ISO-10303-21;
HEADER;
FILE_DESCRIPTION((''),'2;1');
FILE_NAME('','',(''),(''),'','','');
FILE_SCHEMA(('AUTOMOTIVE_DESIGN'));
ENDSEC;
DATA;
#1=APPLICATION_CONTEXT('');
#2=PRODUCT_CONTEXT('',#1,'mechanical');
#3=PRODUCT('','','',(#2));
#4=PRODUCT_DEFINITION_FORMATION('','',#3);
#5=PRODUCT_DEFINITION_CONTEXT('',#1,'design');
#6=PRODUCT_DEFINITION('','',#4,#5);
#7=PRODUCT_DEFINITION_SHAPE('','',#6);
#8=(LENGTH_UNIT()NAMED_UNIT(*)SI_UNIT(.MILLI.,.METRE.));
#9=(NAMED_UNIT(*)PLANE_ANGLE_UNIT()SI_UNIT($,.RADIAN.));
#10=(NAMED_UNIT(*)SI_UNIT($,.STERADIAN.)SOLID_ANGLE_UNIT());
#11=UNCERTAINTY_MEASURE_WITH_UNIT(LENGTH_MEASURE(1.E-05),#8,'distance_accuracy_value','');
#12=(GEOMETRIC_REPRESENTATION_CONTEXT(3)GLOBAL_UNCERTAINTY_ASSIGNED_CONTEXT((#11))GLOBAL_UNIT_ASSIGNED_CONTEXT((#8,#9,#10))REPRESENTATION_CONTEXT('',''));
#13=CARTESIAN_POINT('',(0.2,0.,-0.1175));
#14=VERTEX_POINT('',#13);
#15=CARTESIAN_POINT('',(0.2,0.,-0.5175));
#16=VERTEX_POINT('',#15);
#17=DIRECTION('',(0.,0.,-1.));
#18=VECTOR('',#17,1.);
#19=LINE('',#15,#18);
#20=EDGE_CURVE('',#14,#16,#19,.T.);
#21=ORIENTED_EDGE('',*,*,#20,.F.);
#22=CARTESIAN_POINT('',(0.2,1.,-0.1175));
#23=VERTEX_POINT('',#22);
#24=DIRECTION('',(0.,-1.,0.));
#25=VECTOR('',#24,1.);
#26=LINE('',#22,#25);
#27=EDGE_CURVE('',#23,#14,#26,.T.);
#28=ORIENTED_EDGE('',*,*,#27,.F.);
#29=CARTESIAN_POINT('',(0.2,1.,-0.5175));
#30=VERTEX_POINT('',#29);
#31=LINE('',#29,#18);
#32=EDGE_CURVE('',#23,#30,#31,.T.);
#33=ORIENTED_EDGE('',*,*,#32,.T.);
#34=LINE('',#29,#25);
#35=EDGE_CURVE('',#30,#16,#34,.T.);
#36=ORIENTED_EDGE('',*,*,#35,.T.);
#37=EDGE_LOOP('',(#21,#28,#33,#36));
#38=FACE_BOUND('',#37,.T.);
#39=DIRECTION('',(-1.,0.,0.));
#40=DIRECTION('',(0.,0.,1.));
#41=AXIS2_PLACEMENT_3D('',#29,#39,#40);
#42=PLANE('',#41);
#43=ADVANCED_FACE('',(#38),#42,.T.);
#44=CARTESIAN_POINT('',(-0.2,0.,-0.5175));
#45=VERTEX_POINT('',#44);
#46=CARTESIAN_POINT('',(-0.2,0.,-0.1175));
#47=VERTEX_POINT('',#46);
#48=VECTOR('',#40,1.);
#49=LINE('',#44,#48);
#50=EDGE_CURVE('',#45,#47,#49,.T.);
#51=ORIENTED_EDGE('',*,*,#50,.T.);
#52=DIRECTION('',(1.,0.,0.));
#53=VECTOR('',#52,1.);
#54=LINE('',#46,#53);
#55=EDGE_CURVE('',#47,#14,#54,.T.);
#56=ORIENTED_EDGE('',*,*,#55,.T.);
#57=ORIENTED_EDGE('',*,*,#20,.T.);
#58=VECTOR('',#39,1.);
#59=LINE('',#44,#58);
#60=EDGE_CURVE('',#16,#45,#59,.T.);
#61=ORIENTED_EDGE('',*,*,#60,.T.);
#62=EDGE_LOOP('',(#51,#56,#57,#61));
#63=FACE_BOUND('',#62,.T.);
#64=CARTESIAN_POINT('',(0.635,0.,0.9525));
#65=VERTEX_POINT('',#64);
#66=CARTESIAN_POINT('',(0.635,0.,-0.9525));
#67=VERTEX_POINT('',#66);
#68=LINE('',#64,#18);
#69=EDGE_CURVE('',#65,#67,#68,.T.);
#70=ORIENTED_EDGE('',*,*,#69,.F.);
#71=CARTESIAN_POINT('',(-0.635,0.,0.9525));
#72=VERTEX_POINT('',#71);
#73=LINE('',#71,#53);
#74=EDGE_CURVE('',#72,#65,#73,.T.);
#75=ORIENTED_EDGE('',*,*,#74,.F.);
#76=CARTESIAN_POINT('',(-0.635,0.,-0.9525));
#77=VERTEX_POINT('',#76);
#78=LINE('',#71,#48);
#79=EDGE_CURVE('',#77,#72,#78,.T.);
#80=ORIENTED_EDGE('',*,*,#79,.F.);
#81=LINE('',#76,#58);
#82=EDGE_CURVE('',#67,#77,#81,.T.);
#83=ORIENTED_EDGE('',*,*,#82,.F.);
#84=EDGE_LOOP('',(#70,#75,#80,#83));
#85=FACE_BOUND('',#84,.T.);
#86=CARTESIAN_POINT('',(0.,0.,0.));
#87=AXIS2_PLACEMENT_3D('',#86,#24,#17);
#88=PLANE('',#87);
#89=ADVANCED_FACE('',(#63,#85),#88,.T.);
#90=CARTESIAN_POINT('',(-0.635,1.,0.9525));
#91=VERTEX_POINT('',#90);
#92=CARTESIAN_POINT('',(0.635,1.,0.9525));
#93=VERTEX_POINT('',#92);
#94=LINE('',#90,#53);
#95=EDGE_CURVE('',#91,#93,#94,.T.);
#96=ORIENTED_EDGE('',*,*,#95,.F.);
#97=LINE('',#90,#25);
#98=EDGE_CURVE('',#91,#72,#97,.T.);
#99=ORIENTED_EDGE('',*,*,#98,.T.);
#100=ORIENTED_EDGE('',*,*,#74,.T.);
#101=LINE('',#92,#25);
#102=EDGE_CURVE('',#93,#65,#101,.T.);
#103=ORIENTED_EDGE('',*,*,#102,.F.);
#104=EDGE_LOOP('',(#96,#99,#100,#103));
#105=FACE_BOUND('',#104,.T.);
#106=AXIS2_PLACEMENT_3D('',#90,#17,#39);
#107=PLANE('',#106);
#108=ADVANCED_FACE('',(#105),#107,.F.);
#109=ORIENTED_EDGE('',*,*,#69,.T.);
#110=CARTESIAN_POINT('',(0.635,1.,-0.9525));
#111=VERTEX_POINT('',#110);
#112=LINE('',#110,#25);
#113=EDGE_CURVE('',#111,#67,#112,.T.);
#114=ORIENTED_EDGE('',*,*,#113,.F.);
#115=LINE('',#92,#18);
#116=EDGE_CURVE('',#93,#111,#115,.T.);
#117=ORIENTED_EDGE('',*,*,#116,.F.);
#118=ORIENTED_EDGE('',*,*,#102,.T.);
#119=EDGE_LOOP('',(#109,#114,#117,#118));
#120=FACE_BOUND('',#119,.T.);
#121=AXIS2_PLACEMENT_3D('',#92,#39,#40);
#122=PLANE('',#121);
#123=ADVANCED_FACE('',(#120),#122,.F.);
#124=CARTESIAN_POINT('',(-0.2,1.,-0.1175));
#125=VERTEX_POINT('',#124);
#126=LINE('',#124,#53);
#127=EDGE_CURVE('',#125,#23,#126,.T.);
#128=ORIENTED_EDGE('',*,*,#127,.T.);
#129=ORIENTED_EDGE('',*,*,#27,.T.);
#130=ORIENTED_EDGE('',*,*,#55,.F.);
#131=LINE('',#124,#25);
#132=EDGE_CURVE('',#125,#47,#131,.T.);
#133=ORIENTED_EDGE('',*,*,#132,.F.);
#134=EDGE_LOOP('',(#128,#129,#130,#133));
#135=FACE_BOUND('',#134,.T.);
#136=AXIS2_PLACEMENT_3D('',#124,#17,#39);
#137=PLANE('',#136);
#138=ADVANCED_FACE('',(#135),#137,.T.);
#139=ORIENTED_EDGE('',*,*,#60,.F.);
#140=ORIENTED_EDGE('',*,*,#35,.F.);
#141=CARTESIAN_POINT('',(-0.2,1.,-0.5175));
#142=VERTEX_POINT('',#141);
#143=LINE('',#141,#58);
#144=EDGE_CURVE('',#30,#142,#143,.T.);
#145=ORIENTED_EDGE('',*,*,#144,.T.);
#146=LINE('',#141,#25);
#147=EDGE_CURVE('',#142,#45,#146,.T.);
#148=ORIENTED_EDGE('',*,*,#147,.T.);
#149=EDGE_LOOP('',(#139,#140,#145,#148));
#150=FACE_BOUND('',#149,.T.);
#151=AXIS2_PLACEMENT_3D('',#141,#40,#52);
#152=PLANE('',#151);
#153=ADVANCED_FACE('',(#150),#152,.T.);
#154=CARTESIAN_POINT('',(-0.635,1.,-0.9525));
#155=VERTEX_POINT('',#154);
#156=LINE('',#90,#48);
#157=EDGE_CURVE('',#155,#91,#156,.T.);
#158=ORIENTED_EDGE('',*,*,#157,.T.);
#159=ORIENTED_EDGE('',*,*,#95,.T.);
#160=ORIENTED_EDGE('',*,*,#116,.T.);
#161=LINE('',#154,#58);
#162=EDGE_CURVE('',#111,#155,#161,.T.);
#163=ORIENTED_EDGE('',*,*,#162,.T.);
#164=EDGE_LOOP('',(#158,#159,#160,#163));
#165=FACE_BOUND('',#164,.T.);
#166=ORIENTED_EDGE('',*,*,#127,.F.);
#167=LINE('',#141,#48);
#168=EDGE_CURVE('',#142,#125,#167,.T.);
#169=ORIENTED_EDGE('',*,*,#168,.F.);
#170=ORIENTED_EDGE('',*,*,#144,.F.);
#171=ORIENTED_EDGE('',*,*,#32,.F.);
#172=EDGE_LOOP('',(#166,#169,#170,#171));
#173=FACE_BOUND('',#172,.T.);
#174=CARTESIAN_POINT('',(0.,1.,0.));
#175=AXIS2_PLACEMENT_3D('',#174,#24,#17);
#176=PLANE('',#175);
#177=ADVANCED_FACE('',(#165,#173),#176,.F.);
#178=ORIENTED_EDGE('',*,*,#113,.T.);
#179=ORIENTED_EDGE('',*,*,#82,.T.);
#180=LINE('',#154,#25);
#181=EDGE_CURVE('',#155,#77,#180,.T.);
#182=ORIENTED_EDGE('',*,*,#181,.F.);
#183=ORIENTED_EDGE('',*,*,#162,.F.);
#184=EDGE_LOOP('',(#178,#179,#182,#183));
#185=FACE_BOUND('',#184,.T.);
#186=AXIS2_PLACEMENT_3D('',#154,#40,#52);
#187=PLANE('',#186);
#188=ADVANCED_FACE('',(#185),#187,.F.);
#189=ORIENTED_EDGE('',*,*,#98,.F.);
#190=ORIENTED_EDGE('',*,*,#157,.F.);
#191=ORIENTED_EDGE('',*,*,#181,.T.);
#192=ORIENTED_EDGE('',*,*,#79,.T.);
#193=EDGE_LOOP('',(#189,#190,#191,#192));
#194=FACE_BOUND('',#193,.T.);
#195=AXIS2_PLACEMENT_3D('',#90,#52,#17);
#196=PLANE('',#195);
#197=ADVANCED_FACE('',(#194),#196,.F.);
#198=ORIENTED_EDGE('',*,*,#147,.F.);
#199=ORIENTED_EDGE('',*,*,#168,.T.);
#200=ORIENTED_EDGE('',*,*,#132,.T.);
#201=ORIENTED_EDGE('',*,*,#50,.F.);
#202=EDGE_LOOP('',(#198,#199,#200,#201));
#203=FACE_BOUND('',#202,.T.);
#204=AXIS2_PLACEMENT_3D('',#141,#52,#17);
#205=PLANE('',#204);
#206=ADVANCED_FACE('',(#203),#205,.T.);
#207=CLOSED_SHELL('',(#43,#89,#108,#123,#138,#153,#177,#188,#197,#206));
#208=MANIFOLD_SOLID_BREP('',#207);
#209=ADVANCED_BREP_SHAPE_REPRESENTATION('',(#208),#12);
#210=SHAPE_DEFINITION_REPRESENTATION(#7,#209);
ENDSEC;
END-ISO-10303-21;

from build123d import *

# Parameters (mm, degrees)
SKETCH1_W           = 1.27
SKETCH1_H           = 1.905
SKETCH1_W_2         = 0.4
SKETCH1_H_2         = 0.4
BOSS_EXTRUDE1_DEPTH = 1


with BuildPart() as part:
    # Sketch1 → Boss-Extrude1 (new body)
    with BuildSketch(Plane(origin=(0, 0, 0), x_dir=(1, 0, 0), z_dir=(0, 1, 0))):
        Rectangle(SKETCH1_W, SKETCH1_H)
        with Locations((0, 0.3175)):
            Rectangle(SKETCH1_W_2, SKETCH1_H_2, mode=Mode.SUBTRACT)
    extrude(amount=BOSS_EXTRUDE1_DEPTH)


solid = part.part
